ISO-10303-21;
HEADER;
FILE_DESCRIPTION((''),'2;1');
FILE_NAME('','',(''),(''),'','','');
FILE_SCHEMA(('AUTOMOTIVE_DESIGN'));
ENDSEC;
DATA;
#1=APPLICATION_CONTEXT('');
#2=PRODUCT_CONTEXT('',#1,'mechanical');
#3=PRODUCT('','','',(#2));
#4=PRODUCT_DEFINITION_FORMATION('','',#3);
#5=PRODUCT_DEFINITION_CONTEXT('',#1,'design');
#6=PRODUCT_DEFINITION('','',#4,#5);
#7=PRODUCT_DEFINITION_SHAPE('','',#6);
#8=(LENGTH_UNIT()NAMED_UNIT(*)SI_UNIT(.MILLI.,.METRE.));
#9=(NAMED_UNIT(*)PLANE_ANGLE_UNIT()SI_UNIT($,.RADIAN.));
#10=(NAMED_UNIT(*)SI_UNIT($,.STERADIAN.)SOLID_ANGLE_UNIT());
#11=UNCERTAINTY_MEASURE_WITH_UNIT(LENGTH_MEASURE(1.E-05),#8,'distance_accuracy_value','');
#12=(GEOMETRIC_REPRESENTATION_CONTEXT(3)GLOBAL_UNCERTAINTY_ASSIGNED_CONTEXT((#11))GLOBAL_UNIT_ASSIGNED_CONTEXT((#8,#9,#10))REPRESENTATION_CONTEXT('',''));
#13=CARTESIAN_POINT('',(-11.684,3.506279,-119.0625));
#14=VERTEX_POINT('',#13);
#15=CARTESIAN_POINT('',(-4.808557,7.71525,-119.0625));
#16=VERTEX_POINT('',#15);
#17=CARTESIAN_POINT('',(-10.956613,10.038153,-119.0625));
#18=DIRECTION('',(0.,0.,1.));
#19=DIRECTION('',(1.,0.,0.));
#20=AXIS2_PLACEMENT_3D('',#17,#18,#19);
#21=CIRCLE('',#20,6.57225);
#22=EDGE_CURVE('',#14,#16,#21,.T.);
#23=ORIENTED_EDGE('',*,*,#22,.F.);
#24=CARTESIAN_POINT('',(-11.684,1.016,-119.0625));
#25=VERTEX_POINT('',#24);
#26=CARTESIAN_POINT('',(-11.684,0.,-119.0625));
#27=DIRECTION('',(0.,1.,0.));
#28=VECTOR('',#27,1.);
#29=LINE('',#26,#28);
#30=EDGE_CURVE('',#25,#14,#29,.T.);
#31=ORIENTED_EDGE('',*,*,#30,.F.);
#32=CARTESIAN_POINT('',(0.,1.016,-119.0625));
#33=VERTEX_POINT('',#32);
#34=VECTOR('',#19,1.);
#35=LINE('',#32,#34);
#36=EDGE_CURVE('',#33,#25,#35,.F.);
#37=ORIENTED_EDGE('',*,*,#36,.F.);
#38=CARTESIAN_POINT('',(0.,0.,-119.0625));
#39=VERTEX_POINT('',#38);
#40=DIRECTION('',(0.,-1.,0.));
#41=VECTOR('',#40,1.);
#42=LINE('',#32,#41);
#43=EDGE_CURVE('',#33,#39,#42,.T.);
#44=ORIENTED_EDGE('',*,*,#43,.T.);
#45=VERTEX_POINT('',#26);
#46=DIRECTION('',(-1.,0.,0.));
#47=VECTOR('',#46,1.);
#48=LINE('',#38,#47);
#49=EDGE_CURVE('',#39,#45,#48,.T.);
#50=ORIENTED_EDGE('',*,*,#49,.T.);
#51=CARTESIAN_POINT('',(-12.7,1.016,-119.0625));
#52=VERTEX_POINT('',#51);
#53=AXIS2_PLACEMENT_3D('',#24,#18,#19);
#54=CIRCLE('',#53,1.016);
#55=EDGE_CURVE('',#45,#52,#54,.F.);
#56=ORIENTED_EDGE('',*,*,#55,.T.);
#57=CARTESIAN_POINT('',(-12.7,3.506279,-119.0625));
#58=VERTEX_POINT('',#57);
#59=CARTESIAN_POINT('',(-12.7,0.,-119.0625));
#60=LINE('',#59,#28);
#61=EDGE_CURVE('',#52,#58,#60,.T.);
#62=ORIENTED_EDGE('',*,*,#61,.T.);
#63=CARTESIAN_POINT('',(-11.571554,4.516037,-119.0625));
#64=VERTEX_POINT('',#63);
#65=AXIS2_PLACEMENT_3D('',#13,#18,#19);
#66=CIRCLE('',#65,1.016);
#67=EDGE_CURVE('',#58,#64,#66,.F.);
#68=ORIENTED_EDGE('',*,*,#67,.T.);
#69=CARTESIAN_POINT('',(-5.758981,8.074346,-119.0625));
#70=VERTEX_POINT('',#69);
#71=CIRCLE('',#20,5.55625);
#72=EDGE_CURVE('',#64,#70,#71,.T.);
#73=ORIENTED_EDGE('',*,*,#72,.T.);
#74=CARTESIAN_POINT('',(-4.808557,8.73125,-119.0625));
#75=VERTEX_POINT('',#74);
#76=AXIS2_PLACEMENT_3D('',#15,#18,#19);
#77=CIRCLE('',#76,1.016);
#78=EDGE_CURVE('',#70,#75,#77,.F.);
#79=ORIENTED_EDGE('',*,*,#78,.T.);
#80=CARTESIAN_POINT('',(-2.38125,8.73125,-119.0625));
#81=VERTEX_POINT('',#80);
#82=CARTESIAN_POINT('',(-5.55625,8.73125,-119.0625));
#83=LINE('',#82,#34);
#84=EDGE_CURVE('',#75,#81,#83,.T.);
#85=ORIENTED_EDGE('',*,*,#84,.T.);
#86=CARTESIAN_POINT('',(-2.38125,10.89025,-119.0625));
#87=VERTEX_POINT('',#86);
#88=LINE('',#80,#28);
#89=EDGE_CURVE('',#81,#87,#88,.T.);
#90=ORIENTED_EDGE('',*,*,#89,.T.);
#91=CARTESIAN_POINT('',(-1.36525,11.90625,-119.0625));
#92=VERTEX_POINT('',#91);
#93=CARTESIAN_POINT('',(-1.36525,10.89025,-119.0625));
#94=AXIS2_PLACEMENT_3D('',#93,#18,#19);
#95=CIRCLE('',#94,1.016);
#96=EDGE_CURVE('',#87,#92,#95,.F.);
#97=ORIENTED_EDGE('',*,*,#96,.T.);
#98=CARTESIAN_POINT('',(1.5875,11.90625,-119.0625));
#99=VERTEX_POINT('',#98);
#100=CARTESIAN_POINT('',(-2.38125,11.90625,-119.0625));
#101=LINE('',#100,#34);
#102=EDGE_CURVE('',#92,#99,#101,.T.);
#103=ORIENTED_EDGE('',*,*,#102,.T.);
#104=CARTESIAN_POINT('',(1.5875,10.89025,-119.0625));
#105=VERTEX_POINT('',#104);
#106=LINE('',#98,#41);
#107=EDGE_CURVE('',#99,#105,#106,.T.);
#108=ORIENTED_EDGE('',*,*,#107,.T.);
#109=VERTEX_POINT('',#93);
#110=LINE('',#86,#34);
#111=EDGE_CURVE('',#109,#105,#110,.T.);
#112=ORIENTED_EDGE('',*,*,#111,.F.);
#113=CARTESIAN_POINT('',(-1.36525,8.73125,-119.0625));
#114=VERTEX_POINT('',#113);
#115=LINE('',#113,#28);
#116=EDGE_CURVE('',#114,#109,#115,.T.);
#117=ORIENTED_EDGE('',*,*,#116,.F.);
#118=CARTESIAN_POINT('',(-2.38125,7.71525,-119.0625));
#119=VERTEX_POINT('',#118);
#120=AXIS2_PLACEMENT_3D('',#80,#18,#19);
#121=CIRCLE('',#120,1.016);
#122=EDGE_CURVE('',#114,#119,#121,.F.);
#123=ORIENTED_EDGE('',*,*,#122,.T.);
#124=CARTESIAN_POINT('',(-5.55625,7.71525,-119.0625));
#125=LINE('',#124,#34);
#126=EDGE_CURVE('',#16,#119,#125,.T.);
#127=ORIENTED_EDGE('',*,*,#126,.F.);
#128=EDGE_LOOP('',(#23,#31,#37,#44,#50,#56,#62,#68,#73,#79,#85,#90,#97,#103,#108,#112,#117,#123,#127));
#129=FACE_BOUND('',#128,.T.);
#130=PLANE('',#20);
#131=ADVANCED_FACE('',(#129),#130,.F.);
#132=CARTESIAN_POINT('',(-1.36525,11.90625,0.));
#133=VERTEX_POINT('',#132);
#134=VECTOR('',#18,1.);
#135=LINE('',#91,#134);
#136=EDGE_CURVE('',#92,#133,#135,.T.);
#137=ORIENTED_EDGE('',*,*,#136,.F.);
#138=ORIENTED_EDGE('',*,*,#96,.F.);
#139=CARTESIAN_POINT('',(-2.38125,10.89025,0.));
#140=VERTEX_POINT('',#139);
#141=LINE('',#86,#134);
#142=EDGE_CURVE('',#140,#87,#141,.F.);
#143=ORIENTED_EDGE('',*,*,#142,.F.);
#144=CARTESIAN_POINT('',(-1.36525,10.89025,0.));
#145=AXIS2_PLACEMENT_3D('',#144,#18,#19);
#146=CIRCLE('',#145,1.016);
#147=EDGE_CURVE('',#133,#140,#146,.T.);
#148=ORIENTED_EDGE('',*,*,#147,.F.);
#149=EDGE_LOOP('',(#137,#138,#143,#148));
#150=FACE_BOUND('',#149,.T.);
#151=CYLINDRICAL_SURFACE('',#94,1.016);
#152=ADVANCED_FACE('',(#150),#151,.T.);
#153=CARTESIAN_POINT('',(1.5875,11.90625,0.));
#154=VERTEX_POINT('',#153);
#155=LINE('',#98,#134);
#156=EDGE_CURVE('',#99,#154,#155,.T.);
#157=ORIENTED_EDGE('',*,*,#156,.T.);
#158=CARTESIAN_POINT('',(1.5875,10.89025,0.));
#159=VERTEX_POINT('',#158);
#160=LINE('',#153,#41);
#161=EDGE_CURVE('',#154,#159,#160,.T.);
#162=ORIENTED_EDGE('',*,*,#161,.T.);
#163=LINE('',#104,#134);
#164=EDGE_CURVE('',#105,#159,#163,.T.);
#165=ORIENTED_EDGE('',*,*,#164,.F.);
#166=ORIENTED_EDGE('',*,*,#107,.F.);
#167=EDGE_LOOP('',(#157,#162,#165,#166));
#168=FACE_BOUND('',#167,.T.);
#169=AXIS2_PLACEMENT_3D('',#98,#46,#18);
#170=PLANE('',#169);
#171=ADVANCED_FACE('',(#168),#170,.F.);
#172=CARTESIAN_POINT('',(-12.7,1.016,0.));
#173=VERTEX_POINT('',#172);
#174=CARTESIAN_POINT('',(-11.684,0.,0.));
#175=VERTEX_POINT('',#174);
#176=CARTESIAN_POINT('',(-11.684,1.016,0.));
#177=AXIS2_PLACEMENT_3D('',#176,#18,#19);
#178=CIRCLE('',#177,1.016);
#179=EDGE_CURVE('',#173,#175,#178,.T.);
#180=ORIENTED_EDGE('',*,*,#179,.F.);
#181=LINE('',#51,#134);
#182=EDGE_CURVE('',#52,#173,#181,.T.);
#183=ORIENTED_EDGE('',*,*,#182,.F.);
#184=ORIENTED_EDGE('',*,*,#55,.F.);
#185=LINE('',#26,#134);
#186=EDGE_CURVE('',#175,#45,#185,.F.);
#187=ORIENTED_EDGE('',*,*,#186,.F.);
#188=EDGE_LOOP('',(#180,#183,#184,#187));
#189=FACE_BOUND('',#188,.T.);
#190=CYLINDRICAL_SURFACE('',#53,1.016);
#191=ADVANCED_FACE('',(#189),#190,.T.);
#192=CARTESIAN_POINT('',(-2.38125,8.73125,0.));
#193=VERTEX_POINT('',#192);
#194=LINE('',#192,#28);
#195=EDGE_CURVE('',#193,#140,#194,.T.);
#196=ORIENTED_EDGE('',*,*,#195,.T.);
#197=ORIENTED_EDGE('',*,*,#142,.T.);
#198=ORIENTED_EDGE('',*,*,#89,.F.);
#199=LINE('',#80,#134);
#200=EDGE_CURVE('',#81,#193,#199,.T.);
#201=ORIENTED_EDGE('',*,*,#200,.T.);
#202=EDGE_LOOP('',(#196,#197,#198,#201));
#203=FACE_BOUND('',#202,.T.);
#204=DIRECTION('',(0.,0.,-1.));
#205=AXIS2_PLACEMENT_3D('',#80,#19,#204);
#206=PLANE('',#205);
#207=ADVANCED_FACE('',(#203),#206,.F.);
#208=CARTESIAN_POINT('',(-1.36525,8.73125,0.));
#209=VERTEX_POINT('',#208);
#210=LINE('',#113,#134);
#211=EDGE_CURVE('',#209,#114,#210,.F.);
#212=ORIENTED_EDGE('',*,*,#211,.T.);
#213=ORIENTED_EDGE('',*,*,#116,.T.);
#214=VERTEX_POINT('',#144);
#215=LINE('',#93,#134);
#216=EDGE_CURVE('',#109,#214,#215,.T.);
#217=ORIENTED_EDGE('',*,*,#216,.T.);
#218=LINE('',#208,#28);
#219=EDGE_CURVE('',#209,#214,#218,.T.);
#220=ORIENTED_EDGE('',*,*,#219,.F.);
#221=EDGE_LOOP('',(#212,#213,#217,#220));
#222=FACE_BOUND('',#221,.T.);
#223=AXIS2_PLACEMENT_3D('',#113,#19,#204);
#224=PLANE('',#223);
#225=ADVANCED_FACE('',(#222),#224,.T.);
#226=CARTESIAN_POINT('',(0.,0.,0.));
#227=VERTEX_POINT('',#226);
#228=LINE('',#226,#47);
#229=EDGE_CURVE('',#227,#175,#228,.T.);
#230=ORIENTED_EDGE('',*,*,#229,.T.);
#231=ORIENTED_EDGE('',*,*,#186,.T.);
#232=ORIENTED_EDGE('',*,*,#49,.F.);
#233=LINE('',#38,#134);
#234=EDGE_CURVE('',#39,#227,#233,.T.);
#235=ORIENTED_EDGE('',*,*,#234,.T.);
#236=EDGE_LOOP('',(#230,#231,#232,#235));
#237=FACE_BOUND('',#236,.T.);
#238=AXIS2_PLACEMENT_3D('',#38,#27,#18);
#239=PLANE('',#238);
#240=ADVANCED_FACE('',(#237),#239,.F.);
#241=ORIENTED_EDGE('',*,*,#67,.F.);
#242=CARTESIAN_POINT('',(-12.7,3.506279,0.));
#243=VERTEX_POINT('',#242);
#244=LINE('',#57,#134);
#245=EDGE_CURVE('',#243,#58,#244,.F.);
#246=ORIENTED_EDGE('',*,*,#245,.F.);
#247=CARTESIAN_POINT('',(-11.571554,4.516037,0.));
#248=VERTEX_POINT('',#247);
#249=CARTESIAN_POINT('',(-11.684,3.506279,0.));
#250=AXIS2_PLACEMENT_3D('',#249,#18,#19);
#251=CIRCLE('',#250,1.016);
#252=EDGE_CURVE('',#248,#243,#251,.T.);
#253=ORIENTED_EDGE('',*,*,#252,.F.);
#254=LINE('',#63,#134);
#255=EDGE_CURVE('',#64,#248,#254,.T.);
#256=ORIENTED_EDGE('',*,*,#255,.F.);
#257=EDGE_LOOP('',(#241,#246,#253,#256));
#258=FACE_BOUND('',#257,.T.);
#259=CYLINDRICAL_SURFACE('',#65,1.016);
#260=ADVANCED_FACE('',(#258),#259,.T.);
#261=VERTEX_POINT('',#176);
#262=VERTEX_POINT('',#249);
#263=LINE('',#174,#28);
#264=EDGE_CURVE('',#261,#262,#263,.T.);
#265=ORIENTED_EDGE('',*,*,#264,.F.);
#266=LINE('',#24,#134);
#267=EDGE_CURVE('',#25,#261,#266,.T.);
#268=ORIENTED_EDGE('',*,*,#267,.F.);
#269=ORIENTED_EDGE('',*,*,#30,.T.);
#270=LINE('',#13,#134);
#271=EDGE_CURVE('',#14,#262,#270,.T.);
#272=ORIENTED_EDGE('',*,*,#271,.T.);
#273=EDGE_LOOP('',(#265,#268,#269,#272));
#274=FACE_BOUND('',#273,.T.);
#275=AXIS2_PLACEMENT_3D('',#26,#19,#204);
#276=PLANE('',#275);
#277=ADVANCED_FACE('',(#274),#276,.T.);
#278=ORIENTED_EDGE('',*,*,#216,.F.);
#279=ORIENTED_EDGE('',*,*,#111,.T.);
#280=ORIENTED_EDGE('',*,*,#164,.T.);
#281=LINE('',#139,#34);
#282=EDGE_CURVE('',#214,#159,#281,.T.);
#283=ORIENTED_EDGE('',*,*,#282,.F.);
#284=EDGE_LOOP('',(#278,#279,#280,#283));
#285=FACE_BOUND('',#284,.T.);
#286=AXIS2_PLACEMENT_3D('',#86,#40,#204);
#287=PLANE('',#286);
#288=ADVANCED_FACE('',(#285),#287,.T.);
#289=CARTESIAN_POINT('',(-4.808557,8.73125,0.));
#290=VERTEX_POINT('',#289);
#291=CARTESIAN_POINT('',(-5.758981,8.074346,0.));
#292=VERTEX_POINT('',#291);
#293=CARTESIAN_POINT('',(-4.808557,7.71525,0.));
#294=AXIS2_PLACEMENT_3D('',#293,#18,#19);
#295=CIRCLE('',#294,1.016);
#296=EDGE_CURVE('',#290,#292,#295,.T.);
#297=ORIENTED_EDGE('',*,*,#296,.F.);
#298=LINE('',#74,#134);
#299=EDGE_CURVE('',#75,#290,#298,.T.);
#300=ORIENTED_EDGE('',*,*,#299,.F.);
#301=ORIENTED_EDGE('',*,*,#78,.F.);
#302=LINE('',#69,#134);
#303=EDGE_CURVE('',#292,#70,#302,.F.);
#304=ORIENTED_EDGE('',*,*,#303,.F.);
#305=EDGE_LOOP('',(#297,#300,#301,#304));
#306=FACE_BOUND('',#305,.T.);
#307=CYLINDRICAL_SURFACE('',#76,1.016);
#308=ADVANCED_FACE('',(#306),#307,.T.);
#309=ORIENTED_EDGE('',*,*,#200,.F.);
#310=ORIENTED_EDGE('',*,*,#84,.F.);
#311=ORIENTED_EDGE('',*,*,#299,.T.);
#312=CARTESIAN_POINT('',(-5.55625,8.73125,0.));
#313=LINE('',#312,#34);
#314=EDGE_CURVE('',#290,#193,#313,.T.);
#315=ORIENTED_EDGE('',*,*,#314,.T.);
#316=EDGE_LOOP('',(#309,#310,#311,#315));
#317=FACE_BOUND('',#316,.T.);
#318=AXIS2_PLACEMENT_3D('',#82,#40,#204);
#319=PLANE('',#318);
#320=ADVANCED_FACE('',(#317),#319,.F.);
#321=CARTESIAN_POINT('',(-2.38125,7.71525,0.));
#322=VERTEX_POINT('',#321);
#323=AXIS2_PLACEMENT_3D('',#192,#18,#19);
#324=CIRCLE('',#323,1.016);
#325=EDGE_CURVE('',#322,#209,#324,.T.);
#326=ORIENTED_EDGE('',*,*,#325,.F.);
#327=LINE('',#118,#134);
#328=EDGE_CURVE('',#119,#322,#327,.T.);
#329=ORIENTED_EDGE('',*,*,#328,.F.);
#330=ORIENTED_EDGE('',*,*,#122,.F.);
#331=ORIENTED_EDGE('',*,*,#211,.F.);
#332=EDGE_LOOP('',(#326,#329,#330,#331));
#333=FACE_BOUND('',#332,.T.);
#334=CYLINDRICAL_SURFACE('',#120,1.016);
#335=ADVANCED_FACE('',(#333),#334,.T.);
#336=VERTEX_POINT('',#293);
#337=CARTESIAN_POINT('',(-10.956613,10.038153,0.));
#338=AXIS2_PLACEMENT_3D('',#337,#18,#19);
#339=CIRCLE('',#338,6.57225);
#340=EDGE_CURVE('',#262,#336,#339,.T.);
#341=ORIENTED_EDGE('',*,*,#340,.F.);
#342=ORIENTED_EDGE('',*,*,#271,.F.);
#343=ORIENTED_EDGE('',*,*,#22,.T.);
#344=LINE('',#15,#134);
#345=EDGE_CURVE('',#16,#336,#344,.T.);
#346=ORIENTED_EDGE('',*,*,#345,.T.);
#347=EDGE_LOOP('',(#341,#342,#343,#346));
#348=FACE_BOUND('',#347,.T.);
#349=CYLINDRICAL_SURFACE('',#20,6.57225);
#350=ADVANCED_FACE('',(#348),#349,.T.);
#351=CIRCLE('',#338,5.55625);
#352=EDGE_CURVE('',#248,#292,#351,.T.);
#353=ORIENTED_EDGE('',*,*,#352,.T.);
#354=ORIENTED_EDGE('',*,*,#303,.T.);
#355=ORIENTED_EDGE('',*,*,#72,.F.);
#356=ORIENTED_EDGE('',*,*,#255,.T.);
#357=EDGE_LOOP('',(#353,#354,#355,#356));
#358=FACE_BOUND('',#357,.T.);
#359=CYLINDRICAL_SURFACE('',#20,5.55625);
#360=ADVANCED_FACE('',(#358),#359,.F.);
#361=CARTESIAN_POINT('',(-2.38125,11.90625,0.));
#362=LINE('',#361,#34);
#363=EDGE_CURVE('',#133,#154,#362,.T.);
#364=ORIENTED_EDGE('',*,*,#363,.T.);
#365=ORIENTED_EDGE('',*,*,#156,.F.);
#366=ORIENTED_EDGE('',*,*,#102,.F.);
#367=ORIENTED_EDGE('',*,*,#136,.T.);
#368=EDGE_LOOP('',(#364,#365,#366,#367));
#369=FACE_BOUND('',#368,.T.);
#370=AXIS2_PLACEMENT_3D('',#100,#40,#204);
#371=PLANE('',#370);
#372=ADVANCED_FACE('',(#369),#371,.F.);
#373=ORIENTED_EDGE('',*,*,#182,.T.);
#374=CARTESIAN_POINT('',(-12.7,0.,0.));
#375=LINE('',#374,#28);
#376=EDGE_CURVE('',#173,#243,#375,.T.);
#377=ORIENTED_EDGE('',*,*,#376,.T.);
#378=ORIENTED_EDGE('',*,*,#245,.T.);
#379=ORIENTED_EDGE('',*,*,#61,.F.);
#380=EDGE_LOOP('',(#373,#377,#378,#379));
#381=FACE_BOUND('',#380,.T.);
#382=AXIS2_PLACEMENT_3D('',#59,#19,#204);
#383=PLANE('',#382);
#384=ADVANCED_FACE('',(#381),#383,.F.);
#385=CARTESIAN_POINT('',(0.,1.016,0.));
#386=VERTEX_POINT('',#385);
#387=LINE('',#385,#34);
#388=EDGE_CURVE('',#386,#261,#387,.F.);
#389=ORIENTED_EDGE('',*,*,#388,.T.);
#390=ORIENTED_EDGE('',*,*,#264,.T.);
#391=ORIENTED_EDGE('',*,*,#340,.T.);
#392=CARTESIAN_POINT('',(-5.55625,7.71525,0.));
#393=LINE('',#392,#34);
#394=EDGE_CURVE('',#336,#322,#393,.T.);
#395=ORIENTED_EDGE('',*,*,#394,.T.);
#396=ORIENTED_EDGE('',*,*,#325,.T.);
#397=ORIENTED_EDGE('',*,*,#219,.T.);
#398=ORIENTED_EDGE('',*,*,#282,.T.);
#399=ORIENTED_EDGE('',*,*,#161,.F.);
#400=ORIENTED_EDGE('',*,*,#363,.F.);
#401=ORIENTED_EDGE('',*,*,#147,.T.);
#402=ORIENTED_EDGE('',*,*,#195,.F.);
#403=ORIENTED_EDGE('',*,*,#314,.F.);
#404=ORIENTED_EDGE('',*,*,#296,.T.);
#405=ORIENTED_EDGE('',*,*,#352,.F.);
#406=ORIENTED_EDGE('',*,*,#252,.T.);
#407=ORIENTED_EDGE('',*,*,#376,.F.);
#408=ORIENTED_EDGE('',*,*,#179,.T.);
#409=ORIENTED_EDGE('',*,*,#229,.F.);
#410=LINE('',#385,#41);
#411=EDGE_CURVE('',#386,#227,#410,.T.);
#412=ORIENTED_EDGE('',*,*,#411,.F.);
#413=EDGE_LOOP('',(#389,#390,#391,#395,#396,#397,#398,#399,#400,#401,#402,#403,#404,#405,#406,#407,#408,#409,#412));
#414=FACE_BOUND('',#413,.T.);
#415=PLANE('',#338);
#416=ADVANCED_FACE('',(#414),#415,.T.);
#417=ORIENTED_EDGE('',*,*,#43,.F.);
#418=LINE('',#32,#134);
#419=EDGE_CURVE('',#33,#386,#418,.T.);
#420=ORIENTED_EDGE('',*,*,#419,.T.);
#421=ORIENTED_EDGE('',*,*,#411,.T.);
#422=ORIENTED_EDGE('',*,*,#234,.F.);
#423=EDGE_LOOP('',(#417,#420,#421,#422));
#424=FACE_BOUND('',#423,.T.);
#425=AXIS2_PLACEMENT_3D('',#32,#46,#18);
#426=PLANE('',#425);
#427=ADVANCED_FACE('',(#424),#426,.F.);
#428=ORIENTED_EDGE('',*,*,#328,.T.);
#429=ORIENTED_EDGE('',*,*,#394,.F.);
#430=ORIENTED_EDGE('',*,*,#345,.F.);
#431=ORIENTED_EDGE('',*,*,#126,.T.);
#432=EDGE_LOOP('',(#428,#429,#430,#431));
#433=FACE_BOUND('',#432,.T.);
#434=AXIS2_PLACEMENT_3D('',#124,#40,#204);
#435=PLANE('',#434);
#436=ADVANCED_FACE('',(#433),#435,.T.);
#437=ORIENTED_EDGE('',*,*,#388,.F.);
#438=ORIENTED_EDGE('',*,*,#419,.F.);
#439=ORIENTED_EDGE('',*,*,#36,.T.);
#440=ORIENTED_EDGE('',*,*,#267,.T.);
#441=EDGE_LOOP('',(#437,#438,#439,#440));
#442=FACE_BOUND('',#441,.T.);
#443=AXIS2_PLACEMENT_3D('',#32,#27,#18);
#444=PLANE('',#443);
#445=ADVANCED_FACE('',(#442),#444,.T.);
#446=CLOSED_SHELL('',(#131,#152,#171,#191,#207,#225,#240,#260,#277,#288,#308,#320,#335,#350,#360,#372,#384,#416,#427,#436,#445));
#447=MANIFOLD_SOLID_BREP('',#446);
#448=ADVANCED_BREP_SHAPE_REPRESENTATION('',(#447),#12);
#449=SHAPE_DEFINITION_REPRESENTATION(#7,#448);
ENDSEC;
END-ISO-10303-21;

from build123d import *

# Parameters (mm, degrees)
EXTRUDE_THIN1_DEPTH = 119.0625
FILLET1_R           = 1.016


with BuildPart() as part:
    # Sketch1 → Extrude-Thin1 (new body)
    with BuildSketch(Plane.XY):
        with BuildLine():
            Line((0, 0), (-12.7, 0))
            Line((-12.7, 0), (-12.7, 4.7625))
            ThreePointArc((-12.7, 4.7625), (-8.258259272, 5.18111669), (-5.55625, 8.73125))
            Line((-5.55625, 8.73125), (-2.38125, 8.73125))
            Line((-2.38125, 8.73125), (-2.38125, 11.90625))
            Line((-2.38125, 11.90625), (1.5875, 11.90625))
            Line((1.5875, 11.90625), (1.5875, 10.89025))
            Line((1.5875, 10.89025), (-1.36525, 10.89025))
            Line((-1.36525, 10.89025), (-1.36525, 7.71525))
            Line((-1.36525, 7.71525), (-4.8085569, 7.71525))
            ThreePointArc((-4.8085569, 7.71525), (-7.525174126, 4.432825355), (-11.684, 3.506279057))
            Line((-11.684, 3.506279057), (-11.684, 1.016))
            Line((-11.684, 1.016), (0, 1.016))
            Line((0, 1.016), (0, 0))
        make_face()
    extrude(amount=-EXTRUDE_THIN1_DEPTH)

    # Fillet1
    fillet1_edges = [part.edges().sort_by_distance(p)[0] for p in [
        (-1.36525, 7.71525, -59.53125),
        (-12.7, 0, -59.53125),
        (-12.7, 4.7625, -59.53125),
        (-5.55625, 8.73125, -59.53125),
        (-2.38125, 11.90625, -59.53125),
    ]]
    fillet(fillet1_edges, radius=FILLET1_R)


solid = part.part
